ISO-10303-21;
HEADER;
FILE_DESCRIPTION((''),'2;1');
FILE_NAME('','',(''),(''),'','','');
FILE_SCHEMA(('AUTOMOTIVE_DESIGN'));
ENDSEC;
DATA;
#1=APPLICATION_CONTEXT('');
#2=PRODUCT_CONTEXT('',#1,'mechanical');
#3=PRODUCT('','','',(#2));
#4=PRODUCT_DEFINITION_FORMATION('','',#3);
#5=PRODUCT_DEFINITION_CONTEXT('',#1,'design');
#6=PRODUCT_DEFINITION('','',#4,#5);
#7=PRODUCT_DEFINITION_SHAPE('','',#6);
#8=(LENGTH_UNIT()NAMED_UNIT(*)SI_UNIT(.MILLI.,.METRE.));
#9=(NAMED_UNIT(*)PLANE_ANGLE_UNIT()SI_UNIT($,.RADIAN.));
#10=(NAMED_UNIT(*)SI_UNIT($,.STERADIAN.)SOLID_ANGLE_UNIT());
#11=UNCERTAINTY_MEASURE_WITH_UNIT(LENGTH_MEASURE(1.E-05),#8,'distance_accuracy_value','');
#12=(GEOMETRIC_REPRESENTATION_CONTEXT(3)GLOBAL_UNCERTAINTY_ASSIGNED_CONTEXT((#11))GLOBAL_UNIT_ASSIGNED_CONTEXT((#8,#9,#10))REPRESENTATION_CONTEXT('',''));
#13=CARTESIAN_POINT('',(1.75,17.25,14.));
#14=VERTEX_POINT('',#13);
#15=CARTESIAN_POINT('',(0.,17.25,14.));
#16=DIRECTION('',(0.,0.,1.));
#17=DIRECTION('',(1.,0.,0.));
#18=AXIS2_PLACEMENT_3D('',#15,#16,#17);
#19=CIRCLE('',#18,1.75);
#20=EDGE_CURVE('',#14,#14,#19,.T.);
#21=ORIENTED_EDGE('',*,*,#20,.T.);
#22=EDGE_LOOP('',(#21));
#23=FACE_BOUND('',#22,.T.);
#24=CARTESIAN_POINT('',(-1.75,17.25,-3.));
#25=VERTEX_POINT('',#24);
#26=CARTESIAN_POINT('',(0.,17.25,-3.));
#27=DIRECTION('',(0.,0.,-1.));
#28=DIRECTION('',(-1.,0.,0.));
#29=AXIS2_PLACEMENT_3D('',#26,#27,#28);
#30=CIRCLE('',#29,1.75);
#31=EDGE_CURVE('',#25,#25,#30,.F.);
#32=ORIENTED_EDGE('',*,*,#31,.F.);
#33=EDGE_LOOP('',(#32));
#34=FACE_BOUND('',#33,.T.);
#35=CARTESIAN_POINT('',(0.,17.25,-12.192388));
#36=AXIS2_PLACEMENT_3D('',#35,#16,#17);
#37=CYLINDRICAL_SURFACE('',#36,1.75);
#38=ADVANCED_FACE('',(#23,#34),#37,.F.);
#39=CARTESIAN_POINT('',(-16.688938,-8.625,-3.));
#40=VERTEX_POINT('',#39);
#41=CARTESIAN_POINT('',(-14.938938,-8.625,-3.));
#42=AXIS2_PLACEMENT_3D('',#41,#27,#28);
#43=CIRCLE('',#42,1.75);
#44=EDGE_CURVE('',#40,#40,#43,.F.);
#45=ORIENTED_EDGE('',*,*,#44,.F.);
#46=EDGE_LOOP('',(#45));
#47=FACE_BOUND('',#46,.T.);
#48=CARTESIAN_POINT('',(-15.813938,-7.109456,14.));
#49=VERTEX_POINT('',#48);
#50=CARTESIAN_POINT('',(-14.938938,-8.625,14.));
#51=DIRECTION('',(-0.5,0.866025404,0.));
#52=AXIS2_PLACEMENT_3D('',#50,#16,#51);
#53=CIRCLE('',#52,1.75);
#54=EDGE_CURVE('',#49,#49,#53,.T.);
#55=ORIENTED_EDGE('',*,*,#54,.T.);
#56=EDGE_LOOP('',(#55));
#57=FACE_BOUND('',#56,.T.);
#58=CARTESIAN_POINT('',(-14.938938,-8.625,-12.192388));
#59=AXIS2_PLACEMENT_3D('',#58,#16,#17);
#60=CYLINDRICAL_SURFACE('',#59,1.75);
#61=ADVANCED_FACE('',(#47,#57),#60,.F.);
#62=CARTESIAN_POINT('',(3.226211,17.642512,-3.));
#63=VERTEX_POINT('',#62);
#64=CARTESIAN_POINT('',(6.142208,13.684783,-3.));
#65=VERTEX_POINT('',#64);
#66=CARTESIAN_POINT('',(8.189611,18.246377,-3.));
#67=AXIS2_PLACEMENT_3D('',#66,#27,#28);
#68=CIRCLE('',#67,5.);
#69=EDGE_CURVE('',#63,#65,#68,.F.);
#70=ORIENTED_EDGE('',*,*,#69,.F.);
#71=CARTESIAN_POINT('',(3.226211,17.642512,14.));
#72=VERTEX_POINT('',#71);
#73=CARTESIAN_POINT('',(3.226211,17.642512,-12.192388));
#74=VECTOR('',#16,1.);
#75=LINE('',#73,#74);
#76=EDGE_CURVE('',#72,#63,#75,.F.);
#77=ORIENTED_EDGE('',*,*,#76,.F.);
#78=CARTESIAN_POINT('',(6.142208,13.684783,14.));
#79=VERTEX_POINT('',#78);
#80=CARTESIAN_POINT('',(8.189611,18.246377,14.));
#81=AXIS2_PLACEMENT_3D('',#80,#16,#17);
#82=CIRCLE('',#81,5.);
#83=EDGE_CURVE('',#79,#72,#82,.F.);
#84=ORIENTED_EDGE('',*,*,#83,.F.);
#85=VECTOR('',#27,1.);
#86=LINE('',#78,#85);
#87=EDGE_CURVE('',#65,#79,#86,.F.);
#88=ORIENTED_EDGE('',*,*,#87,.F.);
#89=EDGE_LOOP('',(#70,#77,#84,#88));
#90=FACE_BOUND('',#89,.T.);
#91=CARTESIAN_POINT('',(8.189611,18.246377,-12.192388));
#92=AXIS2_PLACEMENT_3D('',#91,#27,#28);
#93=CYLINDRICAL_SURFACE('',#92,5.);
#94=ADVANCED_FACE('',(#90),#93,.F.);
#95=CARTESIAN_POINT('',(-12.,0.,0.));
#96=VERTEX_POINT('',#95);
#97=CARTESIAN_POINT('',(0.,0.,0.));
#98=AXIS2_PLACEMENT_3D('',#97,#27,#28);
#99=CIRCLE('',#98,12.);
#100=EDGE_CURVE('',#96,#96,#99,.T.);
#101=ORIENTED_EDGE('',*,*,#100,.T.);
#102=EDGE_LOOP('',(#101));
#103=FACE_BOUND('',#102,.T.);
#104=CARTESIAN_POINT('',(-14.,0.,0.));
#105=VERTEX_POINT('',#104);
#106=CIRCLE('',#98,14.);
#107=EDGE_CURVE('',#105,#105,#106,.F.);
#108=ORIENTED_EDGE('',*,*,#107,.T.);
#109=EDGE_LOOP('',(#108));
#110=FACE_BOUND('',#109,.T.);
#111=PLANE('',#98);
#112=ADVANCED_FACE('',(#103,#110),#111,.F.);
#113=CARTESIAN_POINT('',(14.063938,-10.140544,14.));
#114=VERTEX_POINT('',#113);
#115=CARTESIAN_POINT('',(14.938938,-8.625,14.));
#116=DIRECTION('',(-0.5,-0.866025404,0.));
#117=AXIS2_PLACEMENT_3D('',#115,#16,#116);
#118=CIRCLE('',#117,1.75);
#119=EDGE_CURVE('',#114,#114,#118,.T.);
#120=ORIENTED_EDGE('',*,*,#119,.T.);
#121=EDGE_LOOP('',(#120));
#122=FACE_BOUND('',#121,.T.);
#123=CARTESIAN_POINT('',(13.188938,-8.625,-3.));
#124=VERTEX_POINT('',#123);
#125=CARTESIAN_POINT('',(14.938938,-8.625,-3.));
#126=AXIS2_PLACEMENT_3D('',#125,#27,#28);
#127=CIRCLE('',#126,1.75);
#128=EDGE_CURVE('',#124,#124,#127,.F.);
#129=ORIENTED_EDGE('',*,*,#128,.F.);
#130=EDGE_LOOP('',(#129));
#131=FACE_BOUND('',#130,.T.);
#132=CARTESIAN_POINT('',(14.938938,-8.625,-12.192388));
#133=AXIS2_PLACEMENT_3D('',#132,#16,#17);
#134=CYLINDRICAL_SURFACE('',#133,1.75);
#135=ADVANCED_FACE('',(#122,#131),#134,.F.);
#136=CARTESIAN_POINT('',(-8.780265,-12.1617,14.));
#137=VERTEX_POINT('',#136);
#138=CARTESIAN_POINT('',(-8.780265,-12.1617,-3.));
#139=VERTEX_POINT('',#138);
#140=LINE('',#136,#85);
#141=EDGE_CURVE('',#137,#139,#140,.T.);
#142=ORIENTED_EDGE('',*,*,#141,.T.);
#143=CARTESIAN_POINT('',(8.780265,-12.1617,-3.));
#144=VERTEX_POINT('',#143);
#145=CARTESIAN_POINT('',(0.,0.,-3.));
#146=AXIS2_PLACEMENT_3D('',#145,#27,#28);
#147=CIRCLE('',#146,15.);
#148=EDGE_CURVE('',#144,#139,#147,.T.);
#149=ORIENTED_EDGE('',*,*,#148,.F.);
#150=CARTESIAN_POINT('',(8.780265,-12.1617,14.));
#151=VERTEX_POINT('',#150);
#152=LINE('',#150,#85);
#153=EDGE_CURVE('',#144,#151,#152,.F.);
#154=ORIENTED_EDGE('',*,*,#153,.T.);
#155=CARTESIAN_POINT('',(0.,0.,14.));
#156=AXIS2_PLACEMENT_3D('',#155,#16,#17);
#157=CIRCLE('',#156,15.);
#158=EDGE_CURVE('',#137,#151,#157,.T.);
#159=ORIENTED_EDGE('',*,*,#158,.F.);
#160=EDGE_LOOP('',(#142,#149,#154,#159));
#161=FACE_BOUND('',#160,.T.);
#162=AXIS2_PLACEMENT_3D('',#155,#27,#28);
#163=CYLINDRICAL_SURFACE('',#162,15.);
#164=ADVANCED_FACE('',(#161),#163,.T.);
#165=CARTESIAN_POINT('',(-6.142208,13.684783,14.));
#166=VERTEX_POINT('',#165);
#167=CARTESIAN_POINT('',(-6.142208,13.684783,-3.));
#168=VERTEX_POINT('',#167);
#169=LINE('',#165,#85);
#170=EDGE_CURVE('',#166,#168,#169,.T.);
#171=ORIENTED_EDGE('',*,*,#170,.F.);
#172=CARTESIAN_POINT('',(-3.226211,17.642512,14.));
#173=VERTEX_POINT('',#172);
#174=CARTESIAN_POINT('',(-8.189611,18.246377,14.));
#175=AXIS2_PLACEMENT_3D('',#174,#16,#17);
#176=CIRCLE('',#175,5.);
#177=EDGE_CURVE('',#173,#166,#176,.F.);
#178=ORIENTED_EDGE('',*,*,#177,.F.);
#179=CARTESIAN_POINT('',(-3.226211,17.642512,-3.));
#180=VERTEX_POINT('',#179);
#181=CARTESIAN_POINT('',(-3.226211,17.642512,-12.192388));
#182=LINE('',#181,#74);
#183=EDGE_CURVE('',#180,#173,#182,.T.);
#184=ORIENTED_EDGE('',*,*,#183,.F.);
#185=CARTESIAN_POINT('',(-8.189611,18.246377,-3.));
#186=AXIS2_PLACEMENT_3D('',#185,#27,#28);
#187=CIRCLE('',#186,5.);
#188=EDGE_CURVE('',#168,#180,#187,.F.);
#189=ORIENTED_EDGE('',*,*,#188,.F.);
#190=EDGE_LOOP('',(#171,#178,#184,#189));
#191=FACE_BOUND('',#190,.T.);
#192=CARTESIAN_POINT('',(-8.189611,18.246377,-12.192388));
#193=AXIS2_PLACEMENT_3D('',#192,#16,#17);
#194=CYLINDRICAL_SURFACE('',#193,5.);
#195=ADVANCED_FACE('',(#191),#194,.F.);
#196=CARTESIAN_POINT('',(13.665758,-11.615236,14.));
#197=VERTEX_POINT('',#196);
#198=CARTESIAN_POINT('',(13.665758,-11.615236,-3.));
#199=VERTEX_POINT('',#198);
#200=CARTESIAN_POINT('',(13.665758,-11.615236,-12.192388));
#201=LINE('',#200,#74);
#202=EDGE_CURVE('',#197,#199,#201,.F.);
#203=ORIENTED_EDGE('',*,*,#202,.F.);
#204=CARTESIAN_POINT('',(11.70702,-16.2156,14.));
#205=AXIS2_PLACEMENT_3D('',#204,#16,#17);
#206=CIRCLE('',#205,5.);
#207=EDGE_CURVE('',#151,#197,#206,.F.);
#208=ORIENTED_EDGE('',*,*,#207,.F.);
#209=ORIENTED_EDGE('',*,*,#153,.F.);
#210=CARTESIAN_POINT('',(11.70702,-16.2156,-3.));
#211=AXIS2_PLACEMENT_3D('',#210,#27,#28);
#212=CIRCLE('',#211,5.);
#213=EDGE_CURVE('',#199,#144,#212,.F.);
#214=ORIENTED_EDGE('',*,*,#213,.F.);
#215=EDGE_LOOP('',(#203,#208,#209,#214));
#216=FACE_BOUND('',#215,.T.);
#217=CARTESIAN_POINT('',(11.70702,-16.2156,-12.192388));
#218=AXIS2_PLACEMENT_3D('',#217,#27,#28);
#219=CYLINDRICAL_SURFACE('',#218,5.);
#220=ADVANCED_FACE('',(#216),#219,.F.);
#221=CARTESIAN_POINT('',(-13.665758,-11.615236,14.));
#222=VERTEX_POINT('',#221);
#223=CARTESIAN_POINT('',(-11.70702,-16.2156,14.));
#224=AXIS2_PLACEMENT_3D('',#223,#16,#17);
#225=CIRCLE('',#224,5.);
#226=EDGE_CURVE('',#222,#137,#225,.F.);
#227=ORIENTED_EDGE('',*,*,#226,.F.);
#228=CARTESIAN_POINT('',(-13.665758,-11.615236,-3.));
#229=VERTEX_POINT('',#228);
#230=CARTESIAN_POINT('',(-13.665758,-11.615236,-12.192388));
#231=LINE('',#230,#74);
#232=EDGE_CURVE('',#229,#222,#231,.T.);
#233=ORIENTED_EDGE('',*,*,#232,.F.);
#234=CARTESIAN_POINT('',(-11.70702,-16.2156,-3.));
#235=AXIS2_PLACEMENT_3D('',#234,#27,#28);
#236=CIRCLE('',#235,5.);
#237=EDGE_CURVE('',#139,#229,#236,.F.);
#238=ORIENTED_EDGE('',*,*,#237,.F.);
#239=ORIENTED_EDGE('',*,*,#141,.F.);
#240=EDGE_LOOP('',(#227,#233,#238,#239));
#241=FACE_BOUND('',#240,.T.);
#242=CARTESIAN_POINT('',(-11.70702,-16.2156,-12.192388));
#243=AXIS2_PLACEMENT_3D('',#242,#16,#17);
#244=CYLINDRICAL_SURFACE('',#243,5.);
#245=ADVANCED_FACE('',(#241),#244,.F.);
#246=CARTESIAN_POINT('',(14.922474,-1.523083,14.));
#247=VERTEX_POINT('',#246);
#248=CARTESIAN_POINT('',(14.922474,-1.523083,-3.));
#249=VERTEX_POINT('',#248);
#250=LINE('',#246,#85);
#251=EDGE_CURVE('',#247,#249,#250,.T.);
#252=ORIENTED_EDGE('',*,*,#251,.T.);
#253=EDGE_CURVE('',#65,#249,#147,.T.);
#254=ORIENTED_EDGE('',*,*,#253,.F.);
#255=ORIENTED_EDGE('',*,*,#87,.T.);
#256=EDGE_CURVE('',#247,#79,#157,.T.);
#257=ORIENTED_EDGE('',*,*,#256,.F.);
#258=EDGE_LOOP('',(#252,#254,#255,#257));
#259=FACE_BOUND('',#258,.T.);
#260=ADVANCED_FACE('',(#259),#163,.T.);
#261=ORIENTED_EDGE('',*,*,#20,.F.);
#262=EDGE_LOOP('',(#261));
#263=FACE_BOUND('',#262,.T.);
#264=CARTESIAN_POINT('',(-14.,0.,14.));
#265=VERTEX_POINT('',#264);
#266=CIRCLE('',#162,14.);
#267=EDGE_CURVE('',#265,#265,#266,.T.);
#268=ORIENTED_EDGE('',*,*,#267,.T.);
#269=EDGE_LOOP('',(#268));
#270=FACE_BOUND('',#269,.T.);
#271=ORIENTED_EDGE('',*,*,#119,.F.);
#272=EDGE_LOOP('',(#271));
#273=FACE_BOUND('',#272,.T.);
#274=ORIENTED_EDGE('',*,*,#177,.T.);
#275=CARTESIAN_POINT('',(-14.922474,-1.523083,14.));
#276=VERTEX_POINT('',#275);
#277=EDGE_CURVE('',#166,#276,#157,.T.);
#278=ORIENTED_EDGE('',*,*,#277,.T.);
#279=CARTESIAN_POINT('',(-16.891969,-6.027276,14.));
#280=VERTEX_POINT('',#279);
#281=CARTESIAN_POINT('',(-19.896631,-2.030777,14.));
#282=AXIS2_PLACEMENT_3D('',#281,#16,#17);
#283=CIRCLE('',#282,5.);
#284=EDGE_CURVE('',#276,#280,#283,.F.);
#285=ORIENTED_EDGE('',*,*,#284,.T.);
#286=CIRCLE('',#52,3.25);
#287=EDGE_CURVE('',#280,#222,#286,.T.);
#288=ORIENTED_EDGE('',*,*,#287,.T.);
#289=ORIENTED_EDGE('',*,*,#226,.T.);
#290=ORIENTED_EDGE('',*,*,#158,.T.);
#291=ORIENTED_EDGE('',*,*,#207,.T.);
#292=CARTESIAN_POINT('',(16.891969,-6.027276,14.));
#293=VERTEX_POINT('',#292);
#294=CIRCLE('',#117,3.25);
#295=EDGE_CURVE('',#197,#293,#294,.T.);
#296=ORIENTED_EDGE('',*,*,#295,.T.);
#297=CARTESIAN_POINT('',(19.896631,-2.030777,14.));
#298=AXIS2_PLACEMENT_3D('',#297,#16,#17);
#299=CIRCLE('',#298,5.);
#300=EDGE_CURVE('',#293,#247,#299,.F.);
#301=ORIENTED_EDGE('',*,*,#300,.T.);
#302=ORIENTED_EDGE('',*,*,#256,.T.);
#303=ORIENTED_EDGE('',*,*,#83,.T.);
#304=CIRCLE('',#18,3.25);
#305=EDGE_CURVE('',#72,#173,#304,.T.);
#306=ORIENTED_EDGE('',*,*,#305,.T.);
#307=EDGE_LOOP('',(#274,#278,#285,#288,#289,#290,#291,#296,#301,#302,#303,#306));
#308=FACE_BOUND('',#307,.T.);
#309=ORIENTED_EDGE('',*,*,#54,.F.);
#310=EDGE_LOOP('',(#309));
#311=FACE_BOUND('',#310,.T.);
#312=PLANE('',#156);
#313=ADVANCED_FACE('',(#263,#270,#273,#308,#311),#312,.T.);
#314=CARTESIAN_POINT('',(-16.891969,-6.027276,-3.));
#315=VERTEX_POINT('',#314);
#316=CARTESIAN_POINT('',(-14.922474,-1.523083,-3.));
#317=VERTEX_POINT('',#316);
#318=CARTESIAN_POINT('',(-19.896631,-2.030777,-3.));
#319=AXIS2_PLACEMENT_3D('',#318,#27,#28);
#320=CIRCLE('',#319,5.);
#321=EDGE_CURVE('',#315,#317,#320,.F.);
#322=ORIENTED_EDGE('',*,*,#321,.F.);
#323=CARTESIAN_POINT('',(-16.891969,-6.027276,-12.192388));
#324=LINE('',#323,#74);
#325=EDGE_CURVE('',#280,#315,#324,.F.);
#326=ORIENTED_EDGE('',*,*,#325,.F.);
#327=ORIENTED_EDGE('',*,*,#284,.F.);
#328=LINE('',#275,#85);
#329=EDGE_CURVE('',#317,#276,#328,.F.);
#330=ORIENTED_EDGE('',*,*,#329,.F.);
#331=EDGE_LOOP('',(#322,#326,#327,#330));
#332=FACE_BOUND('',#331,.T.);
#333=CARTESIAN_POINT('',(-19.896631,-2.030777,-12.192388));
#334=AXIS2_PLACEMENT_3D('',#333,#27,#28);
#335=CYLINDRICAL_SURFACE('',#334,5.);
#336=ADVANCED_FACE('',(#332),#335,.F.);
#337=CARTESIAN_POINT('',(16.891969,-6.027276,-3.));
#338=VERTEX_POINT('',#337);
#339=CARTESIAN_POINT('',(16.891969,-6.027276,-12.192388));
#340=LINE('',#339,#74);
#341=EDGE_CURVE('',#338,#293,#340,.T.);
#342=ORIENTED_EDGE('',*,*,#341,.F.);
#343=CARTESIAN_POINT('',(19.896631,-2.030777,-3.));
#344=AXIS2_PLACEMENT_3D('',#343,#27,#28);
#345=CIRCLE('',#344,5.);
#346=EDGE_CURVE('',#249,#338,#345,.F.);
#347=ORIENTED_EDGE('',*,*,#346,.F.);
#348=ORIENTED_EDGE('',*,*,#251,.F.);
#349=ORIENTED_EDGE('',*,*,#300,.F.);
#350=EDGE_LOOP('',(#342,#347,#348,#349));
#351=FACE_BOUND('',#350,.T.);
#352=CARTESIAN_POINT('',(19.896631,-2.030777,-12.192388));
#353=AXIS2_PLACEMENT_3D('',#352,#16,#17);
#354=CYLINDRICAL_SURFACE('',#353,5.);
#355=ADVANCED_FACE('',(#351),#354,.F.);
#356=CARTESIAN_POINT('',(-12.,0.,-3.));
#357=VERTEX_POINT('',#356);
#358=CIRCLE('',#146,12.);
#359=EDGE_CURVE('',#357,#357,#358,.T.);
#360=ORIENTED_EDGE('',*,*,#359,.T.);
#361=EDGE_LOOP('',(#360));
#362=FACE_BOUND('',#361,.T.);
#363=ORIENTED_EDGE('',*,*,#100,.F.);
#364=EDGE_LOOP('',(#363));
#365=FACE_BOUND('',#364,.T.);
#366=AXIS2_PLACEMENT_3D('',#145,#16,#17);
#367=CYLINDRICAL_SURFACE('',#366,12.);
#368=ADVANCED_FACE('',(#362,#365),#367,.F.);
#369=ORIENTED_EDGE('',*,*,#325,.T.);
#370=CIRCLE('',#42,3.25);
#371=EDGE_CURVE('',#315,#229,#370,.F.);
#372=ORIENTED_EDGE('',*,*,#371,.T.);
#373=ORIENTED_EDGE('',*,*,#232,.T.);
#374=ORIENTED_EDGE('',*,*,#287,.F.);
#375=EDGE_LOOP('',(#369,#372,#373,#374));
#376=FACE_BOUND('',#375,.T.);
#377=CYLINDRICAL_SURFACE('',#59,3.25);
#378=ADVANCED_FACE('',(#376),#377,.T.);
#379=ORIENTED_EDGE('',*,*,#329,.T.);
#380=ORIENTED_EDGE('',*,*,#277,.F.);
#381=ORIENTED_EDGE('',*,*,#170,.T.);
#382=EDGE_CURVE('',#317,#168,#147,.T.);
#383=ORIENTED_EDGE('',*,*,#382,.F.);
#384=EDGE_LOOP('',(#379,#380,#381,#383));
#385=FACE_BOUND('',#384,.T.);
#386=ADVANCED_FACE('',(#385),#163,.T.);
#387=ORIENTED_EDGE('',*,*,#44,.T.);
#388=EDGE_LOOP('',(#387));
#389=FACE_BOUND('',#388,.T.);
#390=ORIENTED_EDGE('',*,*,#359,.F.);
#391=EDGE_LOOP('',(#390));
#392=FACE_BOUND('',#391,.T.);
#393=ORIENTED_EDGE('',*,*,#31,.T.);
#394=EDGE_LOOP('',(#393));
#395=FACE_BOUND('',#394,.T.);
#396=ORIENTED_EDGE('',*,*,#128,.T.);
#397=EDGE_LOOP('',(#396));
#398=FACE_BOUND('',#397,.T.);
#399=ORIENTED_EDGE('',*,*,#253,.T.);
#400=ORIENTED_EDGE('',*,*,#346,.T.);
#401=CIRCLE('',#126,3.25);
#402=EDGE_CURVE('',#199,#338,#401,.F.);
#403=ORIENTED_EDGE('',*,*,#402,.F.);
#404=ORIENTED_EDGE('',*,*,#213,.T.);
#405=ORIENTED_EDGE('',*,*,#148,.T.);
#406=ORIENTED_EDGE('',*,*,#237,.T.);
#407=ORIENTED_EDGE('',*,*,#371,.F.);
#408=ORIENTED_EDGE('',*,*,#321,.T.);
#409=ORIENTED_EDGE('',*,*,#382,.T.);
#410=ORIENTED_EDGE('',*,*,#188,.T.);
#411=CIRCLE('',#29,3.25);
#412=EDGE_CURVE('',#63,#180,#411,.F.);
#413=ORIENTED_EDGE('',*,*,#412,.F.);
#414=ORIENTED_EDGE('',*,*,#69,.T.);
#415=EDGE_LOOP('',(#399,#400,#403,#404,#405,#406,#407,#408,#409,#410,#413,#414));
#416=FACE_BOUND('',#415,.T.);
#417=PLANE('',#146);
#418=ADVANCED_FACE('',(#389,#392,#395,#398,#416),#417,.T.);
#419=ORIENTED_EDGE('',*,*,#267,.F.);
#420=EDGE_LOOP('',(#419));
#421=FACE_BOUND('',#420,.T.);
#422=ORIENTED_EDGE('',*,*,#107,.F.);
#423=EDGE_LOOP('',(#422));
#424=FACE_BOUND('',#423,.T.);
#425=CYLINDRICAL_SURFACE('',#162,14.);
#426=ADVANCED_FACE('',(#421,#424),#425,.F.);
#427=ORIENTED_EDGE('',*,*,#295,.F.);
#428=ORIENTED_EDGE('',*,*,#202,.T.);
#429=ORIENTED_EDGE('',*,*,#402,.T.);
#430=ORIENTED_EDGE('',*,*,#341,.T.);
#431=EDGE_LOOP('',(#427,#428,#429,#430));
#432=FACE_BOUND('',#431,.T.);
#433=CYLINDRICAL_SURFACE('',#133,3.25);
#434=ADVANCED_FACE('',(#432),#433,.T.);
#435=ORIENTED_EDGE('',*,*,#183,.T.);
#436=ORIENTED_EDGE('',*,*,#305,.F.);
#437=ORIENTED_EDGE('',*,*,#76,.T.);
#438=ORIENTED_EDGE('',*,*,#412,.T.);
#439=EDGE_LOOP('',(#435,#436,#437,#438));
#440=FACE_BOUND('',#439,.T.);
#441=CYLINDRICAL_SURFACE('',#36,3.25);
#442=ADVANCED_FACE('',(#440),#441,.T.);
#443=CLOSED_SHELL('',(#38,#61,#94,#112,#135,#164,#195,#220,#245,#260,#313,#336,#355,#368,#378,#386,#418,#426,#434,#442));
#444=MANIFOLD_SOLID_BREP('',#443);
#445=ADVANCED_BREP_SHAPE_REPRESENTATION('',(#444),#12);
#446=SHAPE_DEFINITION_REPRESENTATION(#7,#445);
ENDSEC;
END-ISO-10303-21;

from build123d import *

# Parameters (mm, degrees)
SKETCH1_R                = 15
BOSS_EXTRUDE1_DEPTH      = 14
SKETCH4_R                = 14
CUT_EXTRUDE1_DEPTH       = 15
SKETCH3_R                = 15
SKETCH3_R_2              = 12
BOSS_EXTRUDE2_DEPTH      = 3
SKETCH6_R                = 3.25
SKETCH6_R_2              = 1.75
BOSS_EXTRUDE4_DEPTH      = 17
FILLET1_R                = 5
CIRPATTERN2_COUNT        = 3
FILLET1_OF_CIRPATTERN2_R = 5


with BuildPart() as part:
    # Sketch1 → Boss-Extrude1 (new body)
    with BuildSketch(Plane.XY):
        Circle(SKETCH1_R)
    extrude(amount=BOSS_EXTRUDE1_DEPTH)

    # Sketch4 → Cut-Extrude1 (cut, through all)
    with BuildSketch(Plane(origin=(0, 0, 0), x_dir=(-1, 0, 0), z_dir=(0, 0, -1))):
        Circle(SKETCH4_R)
    extrude(amount=-CUT_EXTRUDE1_DEPTH, mode=Mode.SUBTRACT)

    # Sketch3 → Boss-Extrude2 (add)
    with BuildSketch(Plane(origin=(0, 0, 0), x_dir=(-1, 0, 0), z_dir=(0, 0, -1))):
        Circle(SKETCH3_R)
        Circle(SKETCH3_R_2, mode=Mode.SUBTRACT)
    extrude(amount=BOSS_EXTRUDE2_DEPTH)

    # Sketch6 → Boss-Extrude4 (add)
    with BuildSketch(Plane.XY.offset(14)):
        with Locations((0, 17.25)):
            Circle(SKETCH6_R)
        with Locations((0, 17.25)):
            Circle(SKETCH6_R_2, mode=Mode.SUBTRACT)
    boss_extrude4 = extrude(amount=-BOSS_EXTRUDE4_DEPTH)

    # Fillet1
    fillet1_edges = [part.edges().sort_by_distance(p)[0] for p in [
        (2.181099234, 14.84057971, 7),
        (-2.181099234, 14.84057971, 7),
    ]]
    fillet(fillet1_edges, radius=FILLET1_R)

    # CirPattern2: Boss-Extrude4 ×3 about axis
    cirpattern2_axis = Axis((0, 0, 0), (0, 0, 1))
    for i in range(1, CIRPATTERN2_COUNT):
        add(boss_extrude4.rotate(cirpattern2_axis, i * 360 / CIRPATTERN2_COUNT))

    # Fillet1 of CirPattern2
    fillet1_of_cirpattern2_edges = [part.edges().sort_by_distance(p)[0] for p in [
        (-13.942868653, -5.531402511, 7),
        (-11.761769419, -9.3091772, 7),
        (11.761769419, -9.3091772, 7),
        (13.942868653, -5.531402511, 7),
    ]]
    fillet(fillet1_of_cirpattern2_edges, radius=FILLET1_OF_CIRPATTERN2_R)


solid = part.part
